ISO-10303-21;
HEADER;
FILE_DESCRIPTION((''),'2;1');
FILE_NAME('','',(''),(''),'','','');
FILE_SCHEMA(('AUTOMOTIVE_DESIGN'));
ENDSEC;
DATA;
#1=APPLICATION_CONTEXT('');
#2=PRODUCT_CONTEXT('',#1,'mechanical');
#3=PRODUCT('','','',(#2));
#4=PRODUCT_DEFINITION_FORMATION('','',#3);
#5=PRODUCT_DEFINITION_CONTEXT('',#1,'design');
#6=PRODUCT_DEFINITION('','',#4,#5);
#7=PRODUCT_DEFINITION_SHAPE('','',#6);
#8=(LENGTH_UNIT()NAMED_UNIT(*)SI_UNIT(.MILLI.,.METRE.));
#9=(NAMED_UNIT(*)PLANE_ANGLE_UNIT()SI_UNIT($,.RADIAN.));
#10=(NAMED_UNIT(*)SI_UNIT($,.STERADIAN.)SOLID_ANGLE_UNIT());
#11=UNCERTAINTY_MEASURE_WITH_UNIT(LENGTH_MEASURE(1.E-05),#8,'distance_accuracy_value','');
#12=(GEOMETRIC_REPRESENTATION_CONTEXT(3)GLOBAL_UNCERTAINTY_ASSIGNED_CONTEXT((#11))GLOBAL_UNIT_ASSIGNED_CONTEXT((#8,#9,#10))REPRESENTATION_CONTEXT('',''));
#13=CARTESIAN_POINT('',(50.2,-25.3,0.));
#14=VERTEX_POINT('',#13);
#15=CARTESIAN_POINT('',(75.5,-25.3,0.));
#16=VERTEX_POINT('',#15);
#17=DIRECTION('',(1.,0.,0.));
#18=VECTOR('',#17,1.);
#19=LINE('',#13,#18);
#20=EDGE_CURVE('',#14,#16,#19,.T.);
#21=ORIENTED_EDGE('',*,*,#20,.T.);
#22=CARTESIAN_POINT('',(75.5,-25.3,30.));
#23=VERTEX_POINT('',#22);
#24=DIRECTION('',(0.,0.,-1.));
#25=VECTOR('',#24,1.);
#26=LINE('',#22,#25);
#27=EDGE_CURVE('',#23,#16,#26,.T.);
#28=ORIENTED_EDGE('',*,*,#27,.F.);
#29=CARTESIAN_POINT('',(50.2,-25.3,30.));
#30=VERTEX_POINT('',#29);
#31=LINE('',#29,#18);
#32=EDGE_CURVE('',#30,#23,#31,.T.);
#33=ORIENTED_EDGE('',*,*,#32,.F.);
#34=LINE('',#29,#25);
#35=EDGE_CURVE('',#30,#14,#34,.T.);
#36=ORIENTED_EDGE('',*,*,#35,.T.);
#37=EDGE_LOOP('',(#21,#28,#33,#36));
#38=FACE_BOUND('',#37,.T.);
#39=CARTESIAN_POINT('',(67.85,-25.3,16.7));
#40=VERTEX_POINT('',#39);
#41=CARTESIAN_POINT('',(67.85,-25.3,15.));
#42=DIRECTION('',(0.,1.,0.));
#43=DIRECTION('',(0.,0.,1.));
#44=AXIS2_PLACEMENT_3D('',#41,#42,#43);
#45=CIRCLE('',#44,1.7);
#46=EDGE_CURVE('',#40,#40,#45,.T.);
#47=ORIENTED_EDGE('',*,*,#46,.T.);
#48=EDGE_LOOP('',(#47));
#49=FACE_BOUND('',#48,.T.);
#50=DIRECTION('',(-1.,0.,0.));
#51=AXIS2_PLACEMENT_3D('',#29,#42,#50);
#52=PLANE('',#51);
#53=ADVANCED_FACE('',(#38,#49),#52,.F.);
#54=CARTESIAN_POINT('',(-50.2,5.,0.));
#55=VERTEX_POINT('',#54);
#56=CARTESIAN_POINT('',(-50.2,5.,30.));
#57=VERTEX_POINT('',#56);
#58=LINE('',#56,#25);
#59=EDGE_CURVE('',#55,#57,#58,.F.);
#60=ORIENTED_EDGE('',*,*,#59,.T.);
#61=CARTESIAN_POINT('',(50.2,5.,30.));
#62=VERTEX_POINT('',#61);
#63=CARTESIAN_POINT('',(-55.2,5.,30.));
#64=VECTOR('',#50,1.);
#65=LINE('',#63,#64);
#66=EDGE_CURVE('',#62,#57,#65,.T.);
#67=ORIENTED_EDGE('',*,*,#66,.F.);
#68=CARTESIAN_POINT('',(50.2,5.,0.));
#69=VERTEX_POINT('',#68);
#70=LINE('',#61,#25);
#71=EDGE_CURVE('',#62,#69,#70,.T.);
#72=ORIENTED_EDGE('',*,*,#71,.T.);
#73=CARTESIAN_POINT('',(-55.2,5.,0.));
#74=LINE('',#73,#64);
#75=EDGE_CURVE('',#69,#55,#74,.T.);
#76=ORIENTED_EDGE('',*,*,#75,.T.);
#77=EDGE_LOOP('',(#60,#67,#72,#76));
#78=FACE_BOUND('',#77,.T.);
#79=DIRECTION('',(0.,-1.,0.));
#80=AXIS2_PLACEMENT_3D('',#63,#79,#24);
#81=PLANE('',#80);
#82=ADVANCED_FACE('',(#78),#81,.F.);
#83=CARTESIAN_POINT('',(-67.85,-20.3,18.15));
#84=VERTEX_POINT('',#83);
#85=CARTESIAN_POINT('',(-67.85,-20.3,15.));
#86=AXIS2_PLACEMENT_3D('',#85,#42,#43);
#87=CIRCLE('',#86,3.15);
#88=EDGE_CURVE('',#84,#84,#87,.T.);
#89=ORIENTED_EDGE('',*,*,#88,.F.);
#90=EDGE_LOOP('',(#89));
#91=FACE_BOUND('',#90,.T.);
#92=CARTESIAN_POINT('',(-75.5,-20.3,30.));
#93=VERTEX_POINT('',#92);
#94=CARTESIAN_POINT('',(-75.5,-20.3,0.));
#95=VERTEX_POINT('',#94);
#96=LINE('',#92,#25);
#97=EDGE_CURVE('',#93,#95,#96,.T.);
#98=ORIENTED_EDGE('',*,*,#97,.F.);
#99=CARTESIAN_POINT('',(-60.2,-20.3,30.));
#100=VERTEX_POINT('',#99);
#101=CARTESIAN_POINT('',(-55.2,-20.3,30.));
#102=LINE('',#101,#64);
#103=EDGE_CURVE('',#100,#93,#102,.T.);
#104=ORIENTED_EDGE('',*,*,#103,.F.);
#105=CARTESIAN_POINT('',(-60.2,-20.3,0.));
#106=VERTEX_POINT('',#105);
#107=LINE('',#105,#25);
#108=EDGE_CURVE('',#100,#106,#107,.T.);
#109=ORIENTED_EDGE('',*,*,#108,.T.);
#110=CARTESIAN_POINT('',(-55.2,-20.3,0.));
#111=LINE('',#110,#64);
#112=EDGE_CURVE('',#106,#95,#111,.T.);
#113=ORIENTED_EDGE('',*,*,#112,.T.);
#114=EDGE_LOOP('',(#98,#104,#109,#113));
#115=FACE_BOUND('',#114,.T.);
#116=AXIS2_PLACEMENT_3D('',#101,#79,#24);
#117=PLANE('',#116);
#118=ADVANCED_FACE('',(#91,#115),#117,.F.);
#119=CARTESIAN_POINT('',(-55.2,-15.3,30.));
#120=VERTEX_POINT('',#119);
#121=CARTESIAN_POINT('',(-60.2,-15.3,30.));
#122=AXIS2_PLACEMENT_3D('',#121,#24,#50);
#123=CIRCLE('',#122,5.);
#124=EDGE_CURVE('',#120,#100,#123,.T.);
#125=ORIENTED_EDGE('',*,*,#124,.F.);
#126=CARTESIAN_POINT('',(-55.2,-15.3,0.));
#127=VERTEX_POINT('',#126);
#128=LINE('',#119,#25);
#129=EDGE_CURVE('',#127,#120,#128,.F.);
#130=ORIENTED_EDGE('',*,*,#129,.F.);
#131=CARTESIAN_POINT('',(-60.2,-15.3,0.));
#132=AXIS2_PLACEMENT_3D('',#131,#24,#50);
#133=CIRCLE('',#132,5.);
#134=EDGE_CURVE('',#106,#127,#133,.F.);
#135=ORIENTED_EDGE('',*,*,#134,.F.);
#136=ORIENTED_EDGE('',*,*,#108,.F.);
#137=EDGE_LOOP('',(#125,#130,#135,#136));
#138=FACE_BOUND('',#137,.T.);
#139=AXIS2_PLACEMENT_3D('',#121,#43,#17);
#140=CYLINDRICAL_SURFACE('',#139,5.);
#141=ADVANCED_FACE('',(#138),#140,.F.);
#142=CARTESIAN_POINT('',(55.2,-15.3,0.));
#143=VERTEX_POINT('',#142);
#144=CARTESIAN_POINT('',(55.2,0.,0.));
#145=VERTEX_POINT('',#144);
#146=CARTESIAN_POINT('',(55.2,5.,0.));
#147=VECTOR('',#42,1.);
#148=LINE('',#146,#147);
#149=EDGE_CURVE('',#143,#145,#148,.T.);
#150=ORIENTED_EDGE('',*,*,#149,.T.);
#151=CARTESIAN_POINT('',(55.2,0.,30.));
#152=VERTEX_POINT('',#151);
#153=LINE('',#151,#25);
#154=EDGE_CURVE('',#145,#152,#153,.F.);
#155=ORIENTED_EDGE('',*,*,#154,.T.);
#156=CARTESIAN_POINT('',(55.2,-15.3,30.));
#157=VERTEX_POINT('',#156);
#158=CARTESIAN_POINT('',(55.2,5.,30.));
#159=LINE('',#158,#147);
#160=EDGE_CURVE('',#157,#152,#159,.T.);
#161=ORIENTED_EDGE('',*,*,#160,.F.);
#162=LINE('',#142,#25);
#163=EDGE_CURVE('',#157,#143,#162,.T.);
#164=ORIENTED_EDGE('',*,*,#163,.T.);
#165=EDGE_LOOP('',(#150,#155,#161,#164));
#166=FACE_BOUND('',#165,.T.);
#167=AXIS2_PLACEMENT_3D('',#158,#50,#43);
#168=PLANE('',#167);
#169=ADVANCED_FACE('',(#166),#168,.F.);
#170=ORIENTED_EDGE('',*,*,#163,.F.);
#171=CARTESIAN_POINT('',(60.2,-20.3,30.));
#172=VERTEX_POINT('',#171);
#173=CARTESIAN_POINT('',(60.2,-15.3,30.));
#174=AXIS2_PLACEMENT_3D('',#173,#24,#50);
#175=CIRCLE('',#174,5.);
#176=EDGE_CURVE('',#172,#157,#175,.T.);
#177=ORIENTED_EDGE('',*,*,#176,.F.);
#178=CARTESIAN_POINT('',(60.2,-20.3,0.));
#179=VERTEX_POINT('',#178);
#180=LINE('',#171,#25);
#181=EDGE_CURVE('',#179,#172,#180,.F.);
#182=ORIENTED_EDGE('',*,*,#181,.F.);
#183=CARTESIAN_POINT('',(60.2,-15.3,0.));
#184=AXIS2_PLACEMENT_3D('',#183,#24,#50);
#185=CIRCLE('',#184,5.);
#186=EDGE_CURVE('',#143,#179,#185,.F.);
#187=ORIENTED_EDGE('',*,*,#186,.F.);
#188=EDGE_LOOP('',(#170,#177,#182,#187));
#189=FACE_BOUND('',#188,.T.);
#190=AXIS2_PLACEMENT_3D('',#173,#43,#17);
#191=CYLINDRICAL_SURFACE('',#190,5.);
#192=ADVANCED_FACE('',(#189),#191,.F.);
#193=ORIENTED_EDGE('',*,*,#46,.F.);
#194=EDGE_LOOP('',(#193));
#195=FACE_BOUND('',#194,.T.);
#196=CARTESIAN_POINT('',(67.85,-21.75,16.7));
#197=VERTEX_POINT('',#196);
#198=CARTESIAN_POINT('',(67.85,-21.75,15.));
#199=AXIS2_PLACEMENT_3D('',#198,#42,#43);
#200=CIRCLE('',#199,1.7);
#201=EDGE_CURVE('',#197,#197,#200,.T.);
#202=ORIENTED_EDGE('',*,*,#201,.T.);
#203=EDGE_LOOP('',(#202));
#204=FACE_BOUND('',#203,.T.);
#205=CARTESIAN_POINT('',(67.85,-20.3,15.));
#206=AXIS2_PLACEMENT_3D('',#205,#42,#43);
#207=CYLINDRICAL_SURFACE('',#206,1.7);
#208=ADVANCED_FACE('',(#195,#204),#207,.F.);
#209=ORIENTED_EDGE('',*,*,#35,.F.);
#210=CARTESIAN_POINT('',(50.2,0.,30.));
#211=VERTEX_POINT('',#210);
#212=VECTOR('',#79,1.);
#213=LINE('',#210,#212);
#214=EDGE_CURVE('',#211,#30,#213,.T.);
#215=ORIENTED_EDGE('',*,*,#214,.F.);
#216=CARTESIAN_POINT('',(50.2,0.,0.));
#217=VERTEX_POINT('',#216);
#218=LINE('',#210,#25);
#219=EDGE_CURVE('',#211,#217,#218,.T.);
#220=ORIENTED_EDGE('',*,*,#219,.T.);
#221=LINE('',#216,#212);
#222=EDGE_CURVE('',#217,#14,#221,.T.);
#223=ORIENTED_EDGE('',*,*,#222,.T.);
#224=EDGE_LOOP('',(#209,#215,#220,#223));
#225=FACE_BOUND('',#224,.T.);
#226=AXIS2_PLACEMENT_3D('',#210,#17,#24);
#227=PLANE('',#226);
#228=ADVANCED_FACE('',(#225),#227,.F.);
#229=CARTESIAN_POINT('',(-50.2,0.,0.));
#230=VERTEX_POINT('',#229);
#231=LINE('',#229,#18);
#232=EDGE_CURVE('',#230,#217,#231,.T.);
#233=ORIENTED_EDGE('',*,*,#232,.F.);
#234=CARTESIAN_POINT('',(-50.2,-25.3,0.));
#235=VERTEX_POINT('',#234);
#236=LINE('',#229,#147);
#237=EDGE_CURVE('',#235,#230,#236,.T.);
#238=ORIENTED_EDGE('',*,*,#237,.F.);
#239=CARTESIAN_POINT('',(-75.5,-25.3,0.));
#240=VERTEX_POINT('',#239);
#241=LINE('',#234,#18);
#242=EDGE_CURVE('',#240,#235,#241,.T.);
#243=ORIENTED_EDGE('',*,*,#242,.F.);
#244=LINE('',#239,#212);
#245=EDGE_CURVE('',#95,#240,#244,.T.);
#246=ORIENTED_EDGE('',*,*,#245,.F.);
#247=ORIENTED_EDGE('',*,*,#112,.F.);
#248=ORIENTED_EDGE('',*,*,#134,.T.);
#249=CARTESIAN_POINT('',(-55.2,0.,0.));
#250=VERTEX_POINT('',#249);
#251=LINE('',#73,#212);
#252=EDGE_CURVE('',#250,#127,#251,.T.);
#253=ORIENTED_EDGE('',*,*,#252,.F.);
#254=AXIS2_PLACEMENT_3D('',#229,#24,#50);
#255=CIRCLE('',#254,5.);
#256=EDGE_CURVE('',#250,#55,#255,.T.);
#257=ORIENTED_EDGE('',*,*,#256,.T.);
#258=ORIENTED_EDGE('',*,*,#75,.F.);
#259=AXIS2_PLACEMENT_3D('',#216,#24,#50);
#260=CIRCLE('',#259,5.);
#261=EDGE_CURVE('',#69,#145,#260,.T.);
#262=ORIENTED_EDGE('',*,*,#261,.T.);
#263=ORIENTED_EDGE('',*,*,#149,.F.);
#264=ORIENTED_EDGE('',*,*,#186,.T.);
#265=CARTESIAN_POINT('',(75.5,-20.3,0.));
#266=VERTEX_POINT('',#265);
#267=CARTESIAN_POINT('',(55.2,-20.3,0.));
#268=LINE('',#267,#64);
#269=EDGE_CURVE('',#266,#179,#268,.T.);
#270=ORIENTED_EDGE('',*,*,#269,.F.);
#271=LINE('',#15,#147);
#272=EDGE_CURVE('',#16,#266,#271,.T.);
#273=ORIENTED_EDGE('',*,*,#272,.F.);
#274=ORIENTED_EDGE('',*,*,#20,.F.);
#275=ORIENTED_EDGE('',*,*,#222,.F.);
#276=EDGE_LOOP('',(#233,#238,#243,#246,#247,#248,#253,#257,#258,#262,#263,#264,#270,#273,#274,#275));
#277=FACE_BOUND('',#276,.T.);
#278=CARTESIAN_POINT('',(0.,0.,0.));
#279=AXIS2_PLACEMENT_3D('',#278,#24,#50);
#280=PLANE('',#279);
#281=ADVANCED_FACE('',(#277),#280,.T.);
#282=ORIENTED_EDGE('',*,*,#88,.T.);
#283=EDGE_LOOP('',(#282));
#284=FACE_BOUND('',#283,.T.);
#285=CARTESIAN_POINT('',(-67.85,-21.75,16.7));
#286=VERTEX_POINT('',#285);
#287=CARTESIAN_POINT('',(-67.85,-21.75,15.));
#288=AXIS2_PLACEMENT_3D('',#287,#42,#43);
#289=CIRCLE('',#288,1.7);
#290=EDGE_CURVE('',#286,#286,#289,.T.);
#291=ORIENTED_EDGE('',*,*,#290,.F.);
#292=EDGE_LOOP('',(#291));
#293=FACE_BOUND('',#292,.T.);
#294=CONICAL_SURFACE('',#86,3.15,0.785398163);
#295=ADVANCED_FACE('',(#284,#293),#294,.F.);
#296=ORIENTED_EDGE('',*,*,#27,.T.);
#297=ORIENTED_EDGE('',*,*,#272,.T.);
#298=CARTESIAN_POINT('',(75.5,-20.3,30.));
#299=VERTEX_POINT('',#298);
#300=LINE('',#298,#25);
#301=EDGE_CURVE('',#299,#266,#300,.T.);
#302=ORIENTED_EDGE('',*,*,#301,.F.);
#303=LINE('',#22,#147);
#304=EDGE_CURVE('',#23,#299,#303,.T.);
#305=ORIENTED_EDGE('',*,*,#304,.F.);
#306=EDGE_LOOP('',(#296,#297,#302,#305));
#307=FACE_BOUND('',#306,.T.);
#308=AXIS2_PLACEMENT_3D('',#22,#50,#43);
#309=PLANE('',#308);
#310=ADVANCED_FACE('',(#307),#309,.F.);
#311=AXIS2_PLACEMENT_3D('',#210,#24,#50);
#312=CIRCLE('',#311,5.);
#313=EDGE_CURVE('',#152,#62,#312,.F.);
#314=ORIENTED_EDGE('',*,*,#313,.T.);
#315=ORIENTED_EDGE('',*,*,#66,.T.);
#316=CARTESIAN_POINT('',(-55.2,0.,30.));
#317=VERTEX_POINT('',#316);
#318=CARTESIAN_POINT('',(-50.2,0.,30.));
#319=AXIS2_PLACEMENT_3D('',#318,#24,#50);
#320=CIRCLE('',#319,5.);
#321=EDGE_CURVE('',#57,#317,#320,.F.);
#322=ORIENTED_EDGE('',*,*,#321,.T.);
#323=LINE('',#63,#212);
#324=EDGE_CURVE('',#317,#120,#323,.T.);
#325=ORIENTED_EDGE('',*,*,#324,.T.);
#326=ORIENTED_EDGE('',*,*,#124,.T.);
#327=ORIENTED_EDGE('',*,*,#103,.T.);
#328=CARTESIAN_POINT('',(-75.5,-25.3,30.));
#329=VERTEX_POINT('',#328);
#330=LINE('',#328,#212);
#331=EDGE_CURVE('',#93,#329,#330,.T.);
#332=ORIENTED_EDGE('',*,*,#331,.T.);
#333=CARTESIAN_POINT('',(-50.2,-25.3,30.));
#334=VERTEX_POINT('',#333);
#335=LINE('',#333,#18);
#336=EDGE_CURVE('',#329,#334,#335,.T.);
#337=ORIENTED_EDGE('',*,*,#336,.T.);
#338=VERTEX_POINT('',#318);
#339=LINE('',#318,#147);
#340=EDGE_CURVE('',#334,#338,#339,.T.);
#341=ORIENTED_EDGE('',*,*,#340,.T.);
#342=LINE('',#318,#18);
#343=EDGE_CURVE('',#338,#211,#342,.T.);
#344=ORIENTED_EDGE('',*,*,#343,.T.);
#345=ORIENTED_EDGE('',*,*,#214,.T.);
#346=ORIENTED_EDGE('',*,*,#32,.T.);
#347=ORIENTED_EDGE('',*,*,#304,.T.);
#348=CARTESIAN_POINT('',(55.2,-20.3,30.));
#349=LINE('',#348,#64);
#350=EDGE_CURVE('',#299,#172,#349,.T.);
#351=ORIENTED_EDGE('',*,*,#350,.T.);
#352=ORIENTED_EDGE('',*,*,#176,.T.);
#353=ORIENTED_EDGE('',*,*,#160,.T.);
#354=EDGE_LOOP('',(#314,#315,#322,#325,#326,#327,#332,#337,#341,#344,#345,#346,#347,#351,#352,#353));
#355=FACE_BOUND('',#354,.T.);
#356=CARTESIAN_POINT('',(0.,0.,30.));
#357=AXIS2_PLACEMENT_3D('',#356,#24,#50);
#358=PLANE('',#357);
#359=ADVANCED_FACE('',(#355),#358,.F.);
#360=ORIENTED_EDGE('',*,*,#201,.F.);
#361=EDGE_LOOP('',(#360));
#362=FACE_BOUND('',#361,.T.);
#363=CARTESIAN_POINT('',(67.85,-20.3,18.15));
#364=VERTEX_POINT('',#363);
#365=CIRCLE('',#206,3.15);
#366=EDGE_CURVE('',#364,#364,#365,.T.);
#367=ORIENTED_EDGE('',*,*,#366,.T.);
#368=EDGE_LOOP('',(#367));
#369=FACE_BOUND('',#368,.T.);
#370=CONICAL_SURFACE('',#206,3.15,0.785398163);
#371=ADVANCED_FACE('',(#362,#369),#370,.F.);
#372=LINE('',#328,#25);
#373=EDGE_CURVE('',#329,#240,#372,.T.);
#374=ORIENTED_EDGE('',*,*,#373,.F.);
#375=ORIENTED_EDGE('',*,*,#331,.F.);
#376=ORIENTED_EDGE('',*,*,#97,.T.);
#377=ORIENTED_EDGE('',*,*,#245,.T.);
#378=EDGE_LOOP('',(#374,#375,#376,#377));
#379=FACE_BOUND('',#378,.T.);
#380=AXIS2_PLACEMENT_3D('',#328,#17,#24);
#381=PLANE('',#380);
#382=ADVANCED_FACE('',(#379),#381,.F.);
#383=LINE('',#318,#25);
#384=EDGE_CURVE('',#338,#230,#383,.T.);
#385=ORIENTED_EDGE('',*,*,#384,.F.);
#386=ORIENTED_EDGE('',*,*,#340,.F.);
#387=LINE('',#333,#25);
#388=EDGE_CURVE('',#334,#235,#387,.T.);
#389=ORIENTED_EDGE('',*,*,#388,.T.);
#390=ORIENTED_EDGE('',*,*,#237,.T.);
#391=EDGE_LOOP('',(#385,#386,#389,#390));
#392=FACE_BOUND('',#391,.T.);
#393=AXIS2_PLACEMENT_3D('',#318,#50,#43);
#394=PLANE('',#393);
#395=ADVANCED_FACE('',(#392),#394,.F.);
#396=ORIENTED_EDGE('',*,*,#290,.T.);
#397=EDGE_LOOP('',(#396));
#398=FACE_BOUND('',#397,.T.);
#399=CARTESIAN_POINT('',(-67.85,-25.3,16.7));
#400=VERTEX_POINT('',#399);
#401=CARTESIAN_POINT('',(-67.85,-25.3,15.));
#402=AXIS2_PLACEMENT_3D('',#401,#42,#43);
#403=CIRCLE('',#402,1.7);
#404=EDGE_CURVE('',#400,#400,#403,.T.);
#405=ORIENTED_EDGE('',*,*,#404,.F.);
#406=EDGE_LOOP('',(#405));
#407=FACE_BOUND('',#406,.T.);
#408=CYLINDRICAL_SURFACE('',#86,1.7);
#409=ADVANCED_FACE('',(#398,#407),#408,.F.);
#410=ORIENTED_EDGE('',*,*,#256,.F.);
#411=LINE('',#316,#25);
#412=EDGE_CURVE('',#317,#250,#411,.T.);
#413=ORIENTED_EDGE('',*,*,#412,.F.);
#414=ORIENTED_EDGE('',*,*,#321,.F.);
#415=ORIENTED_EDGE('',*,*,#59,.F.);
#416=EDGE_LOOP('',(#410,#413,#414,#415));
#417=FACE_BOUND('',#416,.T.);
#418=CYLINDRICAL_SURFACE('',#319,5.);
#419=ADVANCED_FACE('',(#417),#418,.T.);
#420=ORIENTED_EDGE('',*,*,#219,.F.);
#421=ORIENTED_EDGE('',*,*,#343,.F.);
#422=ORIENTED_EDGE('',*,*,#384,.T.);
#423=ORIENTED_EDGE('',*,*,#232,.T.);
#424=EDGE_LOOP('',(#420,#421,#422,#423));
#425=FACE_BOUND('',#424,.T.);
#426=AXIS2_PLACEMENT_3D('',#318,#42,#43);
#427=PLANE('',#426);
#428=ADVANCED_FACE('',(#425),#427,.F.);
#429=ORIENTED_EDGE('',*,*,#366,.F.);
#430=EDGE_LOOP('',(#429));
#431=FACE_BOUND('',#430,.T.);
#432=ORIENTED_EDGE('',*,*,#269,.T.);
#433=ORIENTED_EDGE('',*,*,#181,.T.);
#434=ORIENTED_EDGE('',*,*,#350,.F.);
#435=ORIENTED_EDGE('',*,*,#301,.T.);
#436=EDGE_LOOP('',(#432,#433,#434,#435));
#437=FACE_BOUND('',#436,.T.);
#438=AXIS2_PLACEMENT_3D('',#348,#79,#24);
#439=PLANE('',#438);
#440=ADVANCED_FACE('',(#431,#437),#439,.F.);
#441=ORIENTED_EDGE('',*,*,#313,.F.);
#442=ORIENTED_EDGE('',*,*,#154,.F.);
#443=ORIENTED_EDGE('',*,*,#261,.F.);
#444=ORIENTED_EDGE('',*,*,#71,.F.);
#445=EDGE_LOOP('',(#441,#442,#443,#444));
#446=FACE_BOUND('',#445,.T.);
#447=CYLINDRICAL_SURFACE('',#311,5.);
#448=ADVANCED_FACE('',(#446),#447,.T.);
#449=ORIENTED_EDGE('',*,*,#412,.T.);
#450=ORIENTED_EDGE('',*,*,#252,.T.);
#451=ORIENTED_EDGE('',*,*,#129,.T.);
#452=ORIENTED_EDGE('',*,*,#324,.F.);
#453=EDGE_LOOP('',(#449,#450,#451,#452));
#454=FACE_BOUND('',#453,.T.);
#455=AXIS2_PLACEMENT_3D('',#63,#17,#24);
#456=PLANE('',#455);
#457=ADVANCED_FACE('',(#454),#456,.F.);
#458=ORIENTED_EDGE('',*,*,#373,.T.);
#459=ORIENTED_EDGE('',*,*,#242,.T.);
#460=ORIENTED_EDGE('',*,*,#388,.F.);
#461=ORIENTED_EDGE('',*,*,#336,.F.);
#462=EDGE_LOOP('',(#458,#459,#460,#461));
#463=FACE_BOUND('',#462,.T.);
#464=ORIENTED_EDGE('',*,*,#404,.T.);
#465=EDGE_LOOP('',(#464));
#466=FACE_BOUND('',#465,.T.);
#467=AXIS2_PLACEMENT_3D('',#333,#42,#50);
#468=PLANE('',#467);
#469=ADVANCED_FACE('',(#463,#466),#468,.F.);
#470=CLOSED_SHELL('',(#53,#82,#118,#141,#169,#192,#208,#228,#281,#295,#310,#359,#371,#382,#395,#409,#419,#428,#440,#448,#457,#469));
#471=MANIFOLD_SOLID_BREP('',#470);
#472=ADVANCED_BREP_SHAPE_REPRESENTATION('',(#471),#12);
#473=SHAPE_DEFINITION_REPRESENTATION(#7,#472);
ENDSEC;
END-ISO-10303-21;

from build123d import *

# Parameters (mm, degrees)
BOSS_EXTRU_1_DEPTH                             = 30
CONG_1_R                                       = 5
FRAISAGE_POUR_VIS_T_TE_FRAIS_E_M31_D           = 3.4
FRAISAGE_POUR_VIS_T_TE_FRAIS_E_M31_CSINK_D     = 6.3
FRAISAGE_POUR_VIS_T_TE_FRAIS_E_M31_CSINK_ANGLE = 90


with BuildPart() as part:
    # Esquisse1 → Boss.-Extru.1 (new body)
    with BuildSketch(Plane.XY):
        Polygon((-50.2, 0), (50.2, 0), (50.2, -25.3), (75.5, -25.3), (75.5, -20.3), (55.2, -20.3), (55.2, 5), (-55.2, 5), (-55.2, -20.3), (-75.5, -20.3), (-75.5, -25.3), (-50.2, -25.3), align=None)
    extrude(amount=BOSS_EXTRU_1_DEPTH)

    # Congé1
    cong_1_edges = [part.edges().sort_by_distance(p)[0] for p in [
        (-55.2, -20.3, 15),
        (-55.2, 5, 15),
        (55.2, 5, 15),
        (55.2, -20.3, 15),
    ]]
    fillet(cong_1_edges, radius=CONG_1_R)

    # Fraisage pour vis à tête fraisée M31 (through all)
    with Locations(Plane(origin=(0, -20.3, 0), x_dir=(1, 0, 0), z_dir=(0, 1, 0))):
        with Locations((-67.85, -15), (67.85, -15)):
            CounterSinkHole(FRAISAGE_POUR_VIS_T_TE_FRAIS_E_M31_D / 2, FRAISAGE_POUR_VIS_T_TE_FRAIS_E_M31_CSINK_D / 2, counter_sink_angle=FRAISAGE_POUR_VIS_T_TE_FRAIS_E_M31_CSINK_ANGLE)


solid = part.part
